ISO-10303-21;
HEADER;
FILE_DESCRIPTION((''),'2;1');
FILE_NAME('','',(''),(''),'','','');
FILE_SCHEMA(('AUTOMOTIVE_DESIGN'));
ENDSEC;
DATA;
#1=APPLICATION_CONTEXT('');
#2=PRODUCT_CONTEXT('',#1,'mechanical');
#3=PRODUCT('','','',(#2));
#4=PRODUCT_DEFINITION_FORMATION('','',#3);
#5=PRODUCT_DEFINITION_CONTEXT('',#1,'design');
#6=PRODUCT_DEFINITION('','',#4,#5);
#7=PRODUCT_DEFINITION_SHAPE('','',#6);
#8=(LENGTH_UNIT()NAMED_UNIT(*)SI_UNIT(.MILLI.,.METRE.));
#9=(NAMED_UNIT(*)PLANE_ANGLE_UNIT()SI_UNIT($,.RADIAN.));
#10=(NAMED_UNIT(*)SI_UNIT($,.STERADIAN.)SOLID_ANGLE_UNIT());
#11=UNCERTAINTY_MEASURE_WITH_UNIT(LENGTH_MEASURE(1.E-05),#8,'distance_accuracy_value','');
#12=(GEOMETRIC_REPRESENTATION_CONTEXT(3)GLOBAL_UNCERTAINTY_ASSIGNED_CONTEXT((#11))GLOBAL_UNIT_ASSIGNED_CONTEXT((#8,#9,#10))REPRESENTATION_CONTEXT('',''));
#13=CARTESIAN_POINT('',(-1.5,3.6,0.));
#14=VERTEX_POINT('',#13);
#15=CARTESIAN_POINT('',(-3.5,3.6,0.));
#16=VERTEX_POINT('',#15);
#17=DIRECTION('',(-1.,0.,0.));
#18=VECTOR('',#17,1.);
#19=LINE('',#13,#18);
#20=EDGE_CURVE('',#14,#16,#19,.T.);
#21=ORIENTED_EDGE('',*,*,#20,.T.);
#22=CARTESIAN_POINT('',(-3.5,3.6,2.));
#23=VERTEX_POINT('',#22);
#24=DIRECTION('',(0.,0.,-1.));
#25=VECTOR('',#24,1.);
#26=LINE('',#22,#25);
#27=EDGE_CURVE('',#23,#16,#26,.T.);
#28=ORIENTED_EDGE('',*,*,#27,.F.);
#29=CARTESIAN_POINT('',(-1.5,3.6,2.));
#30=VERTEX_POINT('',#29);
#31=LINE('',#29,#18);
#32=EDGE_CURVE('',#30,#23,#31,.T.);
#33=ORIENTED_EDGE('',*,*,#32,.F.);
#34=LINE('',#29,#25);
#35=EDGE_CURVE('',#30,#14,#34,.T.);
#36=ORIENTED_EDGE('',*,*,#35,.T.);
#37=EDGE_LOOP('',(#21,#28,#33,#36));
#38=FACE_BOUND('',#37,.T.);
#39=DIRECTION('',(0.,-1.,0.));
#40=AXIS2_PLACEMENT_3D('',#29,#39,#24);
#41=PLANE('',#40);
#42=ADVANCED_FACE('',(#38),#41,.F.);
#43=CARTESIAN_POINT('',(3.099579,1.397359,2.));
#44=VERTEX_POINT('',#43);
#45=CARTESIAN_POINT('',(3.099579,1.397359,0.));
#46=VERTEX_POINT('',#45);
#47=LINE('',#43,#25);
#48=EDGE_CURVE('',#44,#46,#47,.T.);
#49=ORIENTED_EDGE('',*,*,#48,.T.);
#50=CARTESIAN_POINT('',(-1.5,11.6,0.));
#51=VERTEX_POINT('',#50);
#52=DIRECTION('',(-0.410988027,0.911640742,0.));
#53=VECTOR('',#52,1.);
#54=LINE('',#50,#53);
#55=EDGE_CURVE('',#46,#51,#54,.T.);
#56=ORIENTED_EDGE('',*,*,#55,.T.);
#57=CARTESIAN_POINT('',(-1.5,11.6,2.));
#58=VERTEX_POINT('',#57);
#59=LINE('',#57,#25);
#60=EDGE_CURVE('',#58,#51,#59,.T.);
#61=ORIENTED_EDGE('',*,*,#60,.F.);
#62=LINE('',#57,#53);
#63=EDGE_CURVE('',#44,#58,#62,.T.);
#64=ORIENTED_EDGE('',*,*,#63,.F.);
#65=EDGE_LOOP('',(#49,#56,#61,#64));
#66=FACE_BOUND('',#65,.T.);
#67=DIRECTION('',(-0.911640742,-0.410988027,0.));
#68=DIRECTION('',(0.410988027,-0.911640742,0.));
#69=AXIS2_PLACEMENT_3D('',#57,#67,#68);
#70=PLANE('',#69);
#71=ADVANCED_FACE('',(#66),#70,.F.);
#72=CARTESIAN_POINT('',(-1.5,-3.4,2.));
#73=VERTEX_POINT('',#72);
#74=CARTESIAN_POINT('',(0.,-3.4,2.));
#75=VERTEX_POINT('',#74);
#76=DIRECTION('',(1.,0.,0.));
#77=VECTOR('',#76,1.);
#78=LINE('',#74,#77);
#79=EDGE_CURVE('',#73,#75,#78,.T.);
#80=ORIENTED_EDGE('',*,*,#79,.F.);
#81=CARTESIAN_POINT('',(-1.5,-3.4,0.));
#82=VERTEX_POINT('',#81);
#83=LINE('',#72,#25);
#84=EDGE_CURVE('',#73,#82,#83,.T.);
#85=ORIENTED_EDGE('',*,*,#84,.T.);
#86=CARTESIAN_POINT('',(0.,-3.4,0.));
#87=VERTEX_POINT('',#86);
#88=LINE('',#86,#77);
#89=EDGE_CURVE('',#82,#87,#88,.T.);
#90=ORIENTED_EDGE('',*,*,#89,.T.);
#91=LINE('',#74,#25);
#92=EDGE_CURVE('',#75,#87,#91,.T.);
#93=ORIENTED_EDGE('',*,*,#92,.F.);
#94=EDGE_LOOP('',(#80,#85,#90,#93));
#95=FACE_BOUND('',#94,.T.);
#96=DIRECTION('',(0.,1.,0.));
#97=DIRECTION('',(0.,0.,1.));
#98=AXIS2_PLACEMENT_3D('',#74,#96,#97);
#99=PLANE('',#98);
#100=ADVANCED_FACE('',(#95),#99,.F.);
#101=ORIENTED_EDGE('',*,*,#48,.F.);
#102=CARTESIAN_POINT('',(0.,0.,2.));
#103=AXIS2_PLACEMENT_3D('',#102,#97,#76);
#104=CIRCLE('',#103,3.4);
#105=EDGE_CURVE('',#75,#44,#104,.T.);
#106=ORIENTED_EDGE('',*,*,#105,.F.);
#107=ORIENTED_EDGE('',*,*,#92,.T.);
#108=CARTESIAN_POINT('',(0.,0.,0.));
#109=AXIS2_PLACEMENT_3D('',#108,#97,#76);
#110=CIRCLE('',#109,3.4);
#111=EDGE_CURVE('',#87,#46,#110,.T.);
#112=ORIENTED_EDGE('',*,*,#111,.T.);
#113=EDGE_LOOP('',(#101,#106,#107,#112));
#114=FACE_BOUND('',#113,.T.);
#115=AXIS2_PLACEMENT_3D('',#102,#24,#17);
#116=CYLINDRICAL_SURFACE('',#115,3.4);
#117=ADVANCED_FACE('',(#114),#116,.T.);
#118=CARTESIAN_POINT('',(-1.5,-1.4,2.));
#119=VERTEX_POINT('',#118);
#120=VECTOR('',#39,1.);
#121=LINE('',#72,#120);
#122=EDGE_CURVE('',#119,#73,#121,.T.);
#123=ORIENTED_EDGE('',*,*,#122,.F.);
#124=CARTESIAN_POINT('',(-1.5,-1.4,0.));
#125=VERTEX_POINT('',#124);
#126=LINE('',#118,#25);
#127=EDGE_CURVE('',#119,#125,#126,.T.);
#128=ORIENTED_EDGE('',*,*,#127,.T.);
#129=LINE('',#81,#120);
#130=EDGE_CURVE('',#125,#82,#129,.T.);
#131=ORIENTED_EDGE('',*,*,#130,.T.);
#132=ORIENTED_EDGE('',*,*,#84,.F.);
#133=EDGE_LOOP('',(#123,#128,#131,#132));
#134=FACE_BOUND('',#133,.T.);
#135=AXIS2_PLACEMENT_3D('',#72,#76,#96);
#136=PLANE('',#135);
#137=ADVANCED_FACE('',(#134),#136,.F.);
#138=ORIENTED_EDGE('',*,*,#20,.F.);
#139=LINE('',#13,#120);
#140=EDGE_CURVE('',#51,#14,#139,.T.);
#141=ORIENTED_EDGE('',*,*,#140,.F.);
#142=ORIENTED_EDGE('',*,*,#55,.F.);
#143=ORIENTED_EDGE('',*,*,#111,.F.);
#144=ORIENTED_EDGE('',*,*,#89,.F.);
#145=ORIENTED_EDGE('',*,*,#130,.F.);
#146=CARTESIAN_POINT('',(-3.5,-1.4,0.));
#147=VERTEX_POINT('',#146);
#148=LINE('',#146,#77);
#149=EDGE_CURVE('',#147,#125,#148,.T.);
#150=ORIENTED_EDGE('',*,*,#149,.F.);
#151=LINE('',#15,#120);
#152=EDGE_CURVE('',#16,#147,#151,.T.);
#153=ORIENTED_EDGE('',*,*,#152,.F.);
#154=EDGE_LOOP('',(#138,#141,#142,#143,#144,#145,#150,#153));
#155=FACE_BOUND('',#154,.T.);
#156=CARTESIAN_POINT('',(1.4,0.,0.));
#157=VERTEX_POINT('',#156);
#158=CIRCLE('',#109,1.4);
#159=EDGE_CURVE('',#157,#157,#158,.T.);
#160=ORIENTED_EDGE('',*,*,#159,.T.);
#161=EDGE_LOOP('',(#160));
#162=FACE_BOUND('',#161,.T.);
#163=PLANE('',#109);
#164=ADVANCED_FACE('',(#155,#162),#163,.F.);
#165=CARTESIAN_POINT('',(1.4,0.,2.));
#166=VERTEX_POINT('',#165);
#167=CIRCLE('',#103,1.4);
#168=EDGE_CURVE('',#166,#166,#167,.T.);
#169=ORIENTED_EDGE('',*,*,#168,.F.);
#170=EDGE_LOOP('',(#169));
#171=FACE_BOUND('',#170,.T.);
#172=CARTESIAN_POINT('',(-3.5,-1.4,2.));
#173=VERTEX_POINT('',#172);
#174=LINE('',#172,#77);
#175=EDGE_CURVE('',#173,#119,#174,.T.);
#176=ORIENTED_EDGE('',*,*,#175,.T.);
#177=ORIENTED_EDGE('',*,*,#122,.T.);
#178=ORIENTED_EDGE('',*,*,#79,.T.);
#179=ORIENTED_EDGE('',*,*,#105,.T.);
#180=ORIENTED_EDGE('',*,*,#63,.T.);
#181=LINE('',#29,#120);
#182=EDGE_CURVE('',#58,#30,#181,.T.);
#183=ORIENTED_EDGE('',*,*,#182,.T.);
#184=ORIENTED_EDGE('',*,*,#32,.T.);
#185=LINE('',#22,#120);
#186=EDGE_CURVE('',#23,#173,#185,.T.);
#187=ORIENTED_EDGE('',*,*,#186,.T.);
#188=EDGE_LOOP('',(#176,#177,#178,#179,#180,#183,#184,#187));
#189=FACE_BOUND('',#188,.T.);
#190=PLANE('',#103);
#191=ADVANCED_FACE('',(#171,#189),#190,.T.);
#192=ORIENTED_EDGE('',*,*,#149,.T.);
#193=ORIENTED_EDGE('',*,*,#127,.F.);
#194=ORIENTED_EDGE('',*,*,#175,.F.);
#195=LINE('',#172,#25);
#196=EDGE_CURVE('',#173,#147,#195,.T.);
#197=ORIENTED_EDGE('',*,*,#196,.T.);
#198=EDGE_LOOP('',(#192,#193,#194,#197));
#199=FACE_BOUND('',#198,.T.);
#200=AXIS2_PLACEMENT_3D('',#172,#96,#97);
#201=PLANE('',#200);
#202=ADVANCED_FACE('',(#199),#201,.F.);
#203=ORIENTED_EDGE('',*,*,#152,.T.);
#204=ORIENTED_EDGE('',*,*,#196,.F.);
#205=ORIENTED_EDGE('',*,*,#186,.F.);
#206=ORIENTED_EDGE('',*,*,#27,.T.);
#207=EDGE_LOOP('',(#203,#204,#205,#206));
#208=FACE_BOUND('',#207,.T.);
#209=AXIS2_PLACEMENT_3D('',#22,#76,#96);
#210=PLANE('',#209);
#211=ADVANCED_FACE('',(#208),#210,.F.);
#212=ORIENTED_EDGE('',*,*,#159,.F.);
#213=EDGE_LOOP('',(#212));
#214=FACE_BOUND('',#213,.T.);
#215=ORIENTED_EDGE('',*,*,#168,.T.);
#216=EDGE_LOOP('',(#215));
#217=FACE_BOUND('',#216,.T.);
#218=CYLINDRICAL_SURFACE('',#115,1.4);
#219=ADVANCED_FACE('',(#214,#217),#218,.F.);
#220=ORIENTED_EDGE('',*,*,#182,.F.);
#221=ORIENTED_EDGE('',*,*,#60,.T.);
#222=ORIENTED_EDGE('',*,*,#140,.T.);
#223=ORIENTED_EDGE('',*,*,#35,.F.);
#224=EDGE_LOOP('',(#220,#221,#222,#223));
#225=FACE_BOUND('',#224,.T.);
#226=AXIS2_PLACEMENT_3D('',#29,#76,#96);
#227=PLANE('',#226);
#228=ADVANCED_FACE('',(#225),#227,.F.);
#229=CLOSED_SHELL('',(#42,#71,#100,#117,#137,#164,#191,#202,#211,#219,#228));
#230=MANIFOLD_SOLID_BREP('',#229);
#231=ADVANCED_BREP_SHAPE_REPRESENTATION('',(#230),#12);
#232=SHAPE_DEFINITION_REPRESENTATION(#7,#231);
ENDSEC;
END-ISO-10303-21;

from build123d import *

# Parameters (mm, degrees)
SKETCH1_R           = 1.4
BOSS_EXTRUDE1_DEPTH = 2


with BuildPart() as part:
    # Sketch1 → Boss-Extrude1 (new body)
    with BuildSketch(Plane.XY):
        with BuildLine():
            Line((-1.5, -3.4), (-1.5, -1.4))
            Line((-1.5, -1.4), (-3.5, -1.4))
            Line((-3.5, -1.4), (-3.5, 3.6))
            Line((-3.5, 3.6), (-1.5, 3.6))
            Line((-1.5, 3.6), (-1.5, 11.6))
            Line((-1.5, 11.6), (3.099578521, 1.397359292))
            ThreePointArc((3.099578521, 1.397359292), (2.855785495, -1.845125796), (0, -3.4))
            Line((0, -3.4), (-1.5, -3.4))
        make_face()
        Circle(SKETCH1_R, mode=Mode.SUBTRACT)
    extrude(amount=BOSS_EXTRUDE1_DEPTH)


solid = part.part
